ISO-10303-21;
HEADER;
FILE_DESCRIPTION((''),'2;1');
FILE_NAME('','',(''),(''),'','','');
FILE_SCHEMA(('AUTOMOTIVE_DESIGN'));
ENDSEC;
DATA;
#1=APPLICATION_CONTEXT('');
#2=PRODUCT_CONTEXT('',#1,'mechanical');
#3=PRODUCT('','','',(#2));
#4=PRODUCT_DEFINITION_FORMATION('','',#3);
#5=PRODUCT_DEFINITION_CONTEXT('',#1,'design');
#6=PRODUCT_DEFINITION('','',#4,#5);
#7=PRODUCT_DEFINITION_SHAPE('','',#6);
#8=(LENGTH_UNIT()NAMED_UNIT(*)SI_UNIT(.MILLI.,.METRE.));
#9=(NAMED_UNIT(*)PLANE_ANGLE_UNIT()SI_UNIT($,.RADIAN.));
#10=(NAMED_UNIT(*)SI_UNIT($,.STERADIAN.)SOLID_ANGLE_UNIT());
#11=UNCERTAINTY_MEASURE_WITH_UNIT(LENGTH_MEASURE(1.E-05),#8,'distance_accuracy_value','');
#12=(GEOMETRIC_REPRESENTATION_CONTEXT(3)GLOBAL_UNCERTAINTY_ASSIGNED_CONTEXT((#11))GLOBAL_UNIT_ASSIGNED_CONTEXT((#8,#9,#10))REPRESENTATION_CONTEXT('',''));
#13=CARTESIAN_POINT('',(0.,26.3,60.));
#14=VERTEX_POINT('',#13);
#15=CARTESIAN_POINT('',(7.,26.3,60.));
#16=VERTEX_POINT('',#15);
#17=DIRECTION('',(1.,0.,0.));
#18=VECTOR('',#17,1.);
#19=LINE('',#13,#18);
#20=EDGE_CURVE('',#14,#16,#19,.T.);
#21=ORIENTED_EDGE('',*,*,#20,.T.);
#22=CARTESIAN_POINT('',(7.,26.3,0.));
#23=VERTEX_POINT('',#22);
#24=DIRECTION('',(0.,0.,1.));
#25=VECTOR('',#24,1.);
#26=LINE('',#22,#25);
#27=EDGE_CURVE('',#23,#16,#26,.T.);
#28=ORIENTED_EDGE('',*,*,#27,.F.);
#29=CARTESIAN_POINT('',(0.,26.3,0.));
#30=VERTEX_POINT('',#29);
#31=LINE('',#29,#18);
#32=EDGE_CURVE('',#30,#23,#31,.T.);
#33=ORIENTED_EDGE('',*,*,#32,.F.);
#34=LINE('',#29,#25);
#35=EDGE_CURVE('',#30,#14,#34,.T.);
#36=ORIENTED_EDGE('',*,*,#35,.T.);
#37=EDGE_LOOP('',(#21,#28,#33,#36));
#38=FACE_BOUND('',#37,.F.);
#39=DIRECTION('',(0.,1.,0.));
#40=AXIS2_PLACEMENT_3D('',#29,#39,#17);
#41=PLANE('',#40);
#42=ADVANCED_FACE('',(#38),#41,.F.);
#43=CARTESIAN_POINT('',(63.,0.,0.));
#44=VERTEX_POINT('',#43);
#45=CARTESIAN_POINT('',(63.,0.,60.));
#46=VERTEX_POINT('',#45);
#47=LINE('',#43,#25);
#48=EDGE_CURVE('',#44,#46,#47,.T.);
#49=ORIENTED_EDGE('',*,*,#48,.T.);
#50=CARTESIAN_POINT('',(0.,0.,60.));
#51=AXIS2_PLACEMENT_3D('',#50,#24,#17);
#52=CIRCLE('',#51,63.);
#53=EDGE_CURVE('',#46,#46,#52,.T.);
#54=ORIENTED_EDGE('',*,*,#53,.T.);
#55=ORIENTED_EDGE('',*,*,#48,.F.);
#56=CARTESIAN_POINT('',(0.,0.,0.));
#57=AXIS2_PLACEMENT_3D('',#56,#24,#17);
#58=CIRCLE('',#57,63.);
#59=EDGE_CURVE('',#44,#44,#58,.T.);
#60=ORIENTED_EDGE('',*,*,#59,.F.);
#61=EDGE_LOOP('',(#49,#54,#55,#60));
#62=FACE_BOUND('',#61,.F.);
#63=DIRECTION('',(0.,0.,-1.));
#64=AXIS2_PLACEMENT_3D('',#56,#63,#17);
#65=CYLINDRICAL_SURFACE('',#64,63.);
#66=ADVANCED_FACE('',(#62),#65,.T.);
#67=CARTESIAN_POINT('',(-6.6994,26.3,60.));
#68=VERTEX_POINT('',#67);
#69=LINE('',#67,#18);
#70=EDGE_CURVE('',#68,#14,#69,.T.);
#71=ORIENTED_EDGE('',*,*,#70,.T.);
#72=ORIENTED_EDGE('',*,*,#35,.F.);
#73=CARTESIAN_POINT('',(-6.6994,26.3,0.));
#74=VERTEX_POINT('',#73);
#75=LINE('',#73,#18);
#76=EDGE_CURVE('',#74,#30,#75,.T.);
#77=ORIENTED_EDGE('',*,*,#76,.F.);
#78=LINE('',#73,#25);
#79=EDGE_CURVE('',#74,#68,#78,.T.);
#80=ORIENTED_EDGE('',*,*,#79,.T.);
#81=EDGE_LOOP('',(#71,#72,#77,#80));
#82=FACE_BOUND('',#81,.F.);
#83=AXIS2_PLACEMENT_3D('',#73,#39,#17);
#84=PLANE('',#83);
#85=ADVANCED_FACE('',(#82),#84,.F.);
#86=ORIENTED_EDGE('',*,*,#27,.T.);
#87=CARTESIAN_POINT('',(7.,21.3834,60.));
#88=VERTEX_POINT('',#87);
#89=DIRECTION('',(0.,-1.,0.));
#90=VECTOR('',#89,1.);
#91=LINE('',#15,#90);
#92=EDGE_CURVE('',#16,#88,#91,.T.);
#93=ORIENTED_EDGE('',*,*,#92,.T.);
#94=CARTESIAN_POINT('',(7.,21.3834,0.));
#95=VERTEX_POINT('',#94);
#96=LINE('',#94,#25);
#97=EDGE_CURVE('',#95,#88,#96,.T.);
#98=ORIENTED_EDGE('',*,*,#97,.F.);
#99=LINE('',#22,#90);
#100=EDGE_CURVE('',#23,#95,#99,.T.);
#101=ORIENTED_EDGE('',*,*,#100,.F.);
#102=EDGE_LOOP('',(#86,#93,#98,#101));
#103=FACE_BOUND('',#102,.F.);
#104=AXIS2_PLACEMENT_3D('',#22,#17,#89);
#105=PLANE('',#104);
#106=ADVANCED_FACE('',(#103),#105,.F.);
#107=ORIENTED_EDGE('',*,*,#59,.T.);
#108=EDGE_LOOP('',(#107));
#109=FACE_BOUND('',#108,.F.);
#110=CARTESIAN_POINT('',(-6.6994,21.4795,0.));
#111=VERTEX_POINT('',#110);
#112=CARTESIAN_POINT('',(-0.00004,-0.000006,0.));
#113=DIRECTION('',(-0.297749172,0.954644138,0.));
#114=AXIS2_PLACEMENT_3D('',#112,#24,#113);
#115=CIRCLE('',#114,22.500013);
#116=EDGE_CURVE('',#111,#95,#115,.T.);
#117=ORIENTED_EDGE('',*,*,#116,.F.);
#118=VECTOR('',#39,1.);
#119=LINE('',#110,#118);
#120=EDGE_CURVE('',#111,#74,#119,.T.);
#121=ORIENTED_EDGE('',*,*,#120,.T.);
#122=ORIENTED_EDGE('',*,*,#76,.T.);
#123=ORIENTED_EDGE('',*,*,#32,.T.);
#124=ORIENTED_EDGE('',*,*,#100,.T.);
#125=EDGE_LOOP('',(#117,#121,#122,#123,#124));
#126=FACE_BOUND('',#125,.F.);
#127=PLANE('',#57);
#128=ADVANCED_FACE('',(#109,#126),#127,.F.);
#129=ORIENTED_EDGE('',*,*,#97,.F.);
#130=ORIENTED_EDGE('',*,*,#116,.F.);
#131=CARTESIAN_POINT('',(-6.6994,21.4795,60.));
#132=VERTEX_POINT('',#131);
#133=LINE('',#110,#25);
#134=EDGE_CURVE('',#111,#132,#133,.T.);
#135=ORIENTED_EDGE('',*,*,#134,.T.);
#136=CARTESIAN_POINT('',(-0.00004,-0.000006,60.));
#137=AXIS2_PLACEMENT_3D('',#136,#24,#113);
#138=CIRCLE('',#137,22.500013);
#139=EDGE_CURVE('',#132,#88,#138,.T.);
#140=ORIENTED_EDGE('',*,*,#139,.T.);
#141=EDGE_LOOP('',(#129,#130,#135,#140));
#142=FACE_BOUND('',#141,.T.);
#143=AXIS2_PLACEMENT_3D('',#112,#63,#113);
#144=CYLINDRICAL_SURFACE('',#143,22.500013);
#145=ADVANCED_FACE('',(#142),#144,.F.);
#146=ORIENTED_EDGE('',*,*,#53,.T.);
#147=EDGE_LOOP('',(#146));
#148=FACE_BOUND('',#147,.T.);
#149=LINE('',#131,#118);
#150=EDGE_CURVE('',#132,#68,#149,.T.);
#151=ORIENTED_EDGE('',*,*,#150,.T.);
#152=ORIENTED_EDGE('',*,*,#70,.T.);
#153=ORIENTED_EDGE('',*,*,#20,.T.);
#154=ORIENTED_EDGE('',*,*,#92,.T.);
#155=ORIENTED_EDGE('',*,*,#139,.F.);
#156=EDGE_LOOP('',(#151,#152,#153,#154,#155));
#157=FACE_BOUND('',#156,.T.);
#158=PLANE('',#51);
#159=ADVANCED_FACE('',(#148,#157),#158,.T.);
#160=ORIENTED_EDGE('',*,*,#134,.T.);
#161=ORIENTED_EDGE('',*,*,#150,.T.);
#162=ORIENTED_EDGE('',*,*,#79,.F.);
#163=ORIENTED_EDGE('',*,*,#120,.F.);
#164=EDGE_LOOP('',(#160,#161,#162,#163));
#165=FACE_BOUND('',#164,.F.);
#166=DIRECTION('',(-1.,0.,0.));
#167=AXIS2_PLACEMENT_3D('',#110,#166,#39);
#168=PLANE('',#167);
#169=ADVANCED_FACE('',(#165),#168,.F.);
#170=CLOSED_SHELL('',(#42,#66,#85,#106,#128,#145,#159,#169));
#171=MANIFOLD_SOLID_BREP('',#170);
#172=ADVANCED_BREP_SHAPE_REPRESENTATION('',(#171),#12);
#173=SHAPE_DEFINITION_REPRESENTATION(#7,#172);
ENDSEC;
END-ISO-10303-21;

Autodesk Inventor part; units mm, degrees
sketch "スケッチ1" plane through (0, 0, 0) normal (0, 0, 1) x (1, 0, 0)
  circle A0 centre (0, 0) radius 63
  arc A1 (-6.6994, 21.4795) -> (7, 21.3834) centre (0, 0) ccw
  line L0 (0, 22.5) -> (0, 17)
  line L1 (0, 22.5) -> (0, 26.3)
  line L2 (0, 26.3) -> (7, 26.3)
  line L3 (7, 26.3) -> (7, 21.3834)
  line L4 (7, 17) -> (0, 17)
  line L5 (-6.6994, 21.4795) -> (-6.6994, 26.3)
  line L6 (-6.6994, 26.3) -> (0, 26.3)
  dimension "d0" = 126
  dimension "d1" = 45
  dimension "d2" = 5.5
  dimension "d3" = 3.8
  dimension "d4" = 7
extrude "押し出し1" add sketch "スケッチ1" along normal blind 60
properties part number "gear2"
